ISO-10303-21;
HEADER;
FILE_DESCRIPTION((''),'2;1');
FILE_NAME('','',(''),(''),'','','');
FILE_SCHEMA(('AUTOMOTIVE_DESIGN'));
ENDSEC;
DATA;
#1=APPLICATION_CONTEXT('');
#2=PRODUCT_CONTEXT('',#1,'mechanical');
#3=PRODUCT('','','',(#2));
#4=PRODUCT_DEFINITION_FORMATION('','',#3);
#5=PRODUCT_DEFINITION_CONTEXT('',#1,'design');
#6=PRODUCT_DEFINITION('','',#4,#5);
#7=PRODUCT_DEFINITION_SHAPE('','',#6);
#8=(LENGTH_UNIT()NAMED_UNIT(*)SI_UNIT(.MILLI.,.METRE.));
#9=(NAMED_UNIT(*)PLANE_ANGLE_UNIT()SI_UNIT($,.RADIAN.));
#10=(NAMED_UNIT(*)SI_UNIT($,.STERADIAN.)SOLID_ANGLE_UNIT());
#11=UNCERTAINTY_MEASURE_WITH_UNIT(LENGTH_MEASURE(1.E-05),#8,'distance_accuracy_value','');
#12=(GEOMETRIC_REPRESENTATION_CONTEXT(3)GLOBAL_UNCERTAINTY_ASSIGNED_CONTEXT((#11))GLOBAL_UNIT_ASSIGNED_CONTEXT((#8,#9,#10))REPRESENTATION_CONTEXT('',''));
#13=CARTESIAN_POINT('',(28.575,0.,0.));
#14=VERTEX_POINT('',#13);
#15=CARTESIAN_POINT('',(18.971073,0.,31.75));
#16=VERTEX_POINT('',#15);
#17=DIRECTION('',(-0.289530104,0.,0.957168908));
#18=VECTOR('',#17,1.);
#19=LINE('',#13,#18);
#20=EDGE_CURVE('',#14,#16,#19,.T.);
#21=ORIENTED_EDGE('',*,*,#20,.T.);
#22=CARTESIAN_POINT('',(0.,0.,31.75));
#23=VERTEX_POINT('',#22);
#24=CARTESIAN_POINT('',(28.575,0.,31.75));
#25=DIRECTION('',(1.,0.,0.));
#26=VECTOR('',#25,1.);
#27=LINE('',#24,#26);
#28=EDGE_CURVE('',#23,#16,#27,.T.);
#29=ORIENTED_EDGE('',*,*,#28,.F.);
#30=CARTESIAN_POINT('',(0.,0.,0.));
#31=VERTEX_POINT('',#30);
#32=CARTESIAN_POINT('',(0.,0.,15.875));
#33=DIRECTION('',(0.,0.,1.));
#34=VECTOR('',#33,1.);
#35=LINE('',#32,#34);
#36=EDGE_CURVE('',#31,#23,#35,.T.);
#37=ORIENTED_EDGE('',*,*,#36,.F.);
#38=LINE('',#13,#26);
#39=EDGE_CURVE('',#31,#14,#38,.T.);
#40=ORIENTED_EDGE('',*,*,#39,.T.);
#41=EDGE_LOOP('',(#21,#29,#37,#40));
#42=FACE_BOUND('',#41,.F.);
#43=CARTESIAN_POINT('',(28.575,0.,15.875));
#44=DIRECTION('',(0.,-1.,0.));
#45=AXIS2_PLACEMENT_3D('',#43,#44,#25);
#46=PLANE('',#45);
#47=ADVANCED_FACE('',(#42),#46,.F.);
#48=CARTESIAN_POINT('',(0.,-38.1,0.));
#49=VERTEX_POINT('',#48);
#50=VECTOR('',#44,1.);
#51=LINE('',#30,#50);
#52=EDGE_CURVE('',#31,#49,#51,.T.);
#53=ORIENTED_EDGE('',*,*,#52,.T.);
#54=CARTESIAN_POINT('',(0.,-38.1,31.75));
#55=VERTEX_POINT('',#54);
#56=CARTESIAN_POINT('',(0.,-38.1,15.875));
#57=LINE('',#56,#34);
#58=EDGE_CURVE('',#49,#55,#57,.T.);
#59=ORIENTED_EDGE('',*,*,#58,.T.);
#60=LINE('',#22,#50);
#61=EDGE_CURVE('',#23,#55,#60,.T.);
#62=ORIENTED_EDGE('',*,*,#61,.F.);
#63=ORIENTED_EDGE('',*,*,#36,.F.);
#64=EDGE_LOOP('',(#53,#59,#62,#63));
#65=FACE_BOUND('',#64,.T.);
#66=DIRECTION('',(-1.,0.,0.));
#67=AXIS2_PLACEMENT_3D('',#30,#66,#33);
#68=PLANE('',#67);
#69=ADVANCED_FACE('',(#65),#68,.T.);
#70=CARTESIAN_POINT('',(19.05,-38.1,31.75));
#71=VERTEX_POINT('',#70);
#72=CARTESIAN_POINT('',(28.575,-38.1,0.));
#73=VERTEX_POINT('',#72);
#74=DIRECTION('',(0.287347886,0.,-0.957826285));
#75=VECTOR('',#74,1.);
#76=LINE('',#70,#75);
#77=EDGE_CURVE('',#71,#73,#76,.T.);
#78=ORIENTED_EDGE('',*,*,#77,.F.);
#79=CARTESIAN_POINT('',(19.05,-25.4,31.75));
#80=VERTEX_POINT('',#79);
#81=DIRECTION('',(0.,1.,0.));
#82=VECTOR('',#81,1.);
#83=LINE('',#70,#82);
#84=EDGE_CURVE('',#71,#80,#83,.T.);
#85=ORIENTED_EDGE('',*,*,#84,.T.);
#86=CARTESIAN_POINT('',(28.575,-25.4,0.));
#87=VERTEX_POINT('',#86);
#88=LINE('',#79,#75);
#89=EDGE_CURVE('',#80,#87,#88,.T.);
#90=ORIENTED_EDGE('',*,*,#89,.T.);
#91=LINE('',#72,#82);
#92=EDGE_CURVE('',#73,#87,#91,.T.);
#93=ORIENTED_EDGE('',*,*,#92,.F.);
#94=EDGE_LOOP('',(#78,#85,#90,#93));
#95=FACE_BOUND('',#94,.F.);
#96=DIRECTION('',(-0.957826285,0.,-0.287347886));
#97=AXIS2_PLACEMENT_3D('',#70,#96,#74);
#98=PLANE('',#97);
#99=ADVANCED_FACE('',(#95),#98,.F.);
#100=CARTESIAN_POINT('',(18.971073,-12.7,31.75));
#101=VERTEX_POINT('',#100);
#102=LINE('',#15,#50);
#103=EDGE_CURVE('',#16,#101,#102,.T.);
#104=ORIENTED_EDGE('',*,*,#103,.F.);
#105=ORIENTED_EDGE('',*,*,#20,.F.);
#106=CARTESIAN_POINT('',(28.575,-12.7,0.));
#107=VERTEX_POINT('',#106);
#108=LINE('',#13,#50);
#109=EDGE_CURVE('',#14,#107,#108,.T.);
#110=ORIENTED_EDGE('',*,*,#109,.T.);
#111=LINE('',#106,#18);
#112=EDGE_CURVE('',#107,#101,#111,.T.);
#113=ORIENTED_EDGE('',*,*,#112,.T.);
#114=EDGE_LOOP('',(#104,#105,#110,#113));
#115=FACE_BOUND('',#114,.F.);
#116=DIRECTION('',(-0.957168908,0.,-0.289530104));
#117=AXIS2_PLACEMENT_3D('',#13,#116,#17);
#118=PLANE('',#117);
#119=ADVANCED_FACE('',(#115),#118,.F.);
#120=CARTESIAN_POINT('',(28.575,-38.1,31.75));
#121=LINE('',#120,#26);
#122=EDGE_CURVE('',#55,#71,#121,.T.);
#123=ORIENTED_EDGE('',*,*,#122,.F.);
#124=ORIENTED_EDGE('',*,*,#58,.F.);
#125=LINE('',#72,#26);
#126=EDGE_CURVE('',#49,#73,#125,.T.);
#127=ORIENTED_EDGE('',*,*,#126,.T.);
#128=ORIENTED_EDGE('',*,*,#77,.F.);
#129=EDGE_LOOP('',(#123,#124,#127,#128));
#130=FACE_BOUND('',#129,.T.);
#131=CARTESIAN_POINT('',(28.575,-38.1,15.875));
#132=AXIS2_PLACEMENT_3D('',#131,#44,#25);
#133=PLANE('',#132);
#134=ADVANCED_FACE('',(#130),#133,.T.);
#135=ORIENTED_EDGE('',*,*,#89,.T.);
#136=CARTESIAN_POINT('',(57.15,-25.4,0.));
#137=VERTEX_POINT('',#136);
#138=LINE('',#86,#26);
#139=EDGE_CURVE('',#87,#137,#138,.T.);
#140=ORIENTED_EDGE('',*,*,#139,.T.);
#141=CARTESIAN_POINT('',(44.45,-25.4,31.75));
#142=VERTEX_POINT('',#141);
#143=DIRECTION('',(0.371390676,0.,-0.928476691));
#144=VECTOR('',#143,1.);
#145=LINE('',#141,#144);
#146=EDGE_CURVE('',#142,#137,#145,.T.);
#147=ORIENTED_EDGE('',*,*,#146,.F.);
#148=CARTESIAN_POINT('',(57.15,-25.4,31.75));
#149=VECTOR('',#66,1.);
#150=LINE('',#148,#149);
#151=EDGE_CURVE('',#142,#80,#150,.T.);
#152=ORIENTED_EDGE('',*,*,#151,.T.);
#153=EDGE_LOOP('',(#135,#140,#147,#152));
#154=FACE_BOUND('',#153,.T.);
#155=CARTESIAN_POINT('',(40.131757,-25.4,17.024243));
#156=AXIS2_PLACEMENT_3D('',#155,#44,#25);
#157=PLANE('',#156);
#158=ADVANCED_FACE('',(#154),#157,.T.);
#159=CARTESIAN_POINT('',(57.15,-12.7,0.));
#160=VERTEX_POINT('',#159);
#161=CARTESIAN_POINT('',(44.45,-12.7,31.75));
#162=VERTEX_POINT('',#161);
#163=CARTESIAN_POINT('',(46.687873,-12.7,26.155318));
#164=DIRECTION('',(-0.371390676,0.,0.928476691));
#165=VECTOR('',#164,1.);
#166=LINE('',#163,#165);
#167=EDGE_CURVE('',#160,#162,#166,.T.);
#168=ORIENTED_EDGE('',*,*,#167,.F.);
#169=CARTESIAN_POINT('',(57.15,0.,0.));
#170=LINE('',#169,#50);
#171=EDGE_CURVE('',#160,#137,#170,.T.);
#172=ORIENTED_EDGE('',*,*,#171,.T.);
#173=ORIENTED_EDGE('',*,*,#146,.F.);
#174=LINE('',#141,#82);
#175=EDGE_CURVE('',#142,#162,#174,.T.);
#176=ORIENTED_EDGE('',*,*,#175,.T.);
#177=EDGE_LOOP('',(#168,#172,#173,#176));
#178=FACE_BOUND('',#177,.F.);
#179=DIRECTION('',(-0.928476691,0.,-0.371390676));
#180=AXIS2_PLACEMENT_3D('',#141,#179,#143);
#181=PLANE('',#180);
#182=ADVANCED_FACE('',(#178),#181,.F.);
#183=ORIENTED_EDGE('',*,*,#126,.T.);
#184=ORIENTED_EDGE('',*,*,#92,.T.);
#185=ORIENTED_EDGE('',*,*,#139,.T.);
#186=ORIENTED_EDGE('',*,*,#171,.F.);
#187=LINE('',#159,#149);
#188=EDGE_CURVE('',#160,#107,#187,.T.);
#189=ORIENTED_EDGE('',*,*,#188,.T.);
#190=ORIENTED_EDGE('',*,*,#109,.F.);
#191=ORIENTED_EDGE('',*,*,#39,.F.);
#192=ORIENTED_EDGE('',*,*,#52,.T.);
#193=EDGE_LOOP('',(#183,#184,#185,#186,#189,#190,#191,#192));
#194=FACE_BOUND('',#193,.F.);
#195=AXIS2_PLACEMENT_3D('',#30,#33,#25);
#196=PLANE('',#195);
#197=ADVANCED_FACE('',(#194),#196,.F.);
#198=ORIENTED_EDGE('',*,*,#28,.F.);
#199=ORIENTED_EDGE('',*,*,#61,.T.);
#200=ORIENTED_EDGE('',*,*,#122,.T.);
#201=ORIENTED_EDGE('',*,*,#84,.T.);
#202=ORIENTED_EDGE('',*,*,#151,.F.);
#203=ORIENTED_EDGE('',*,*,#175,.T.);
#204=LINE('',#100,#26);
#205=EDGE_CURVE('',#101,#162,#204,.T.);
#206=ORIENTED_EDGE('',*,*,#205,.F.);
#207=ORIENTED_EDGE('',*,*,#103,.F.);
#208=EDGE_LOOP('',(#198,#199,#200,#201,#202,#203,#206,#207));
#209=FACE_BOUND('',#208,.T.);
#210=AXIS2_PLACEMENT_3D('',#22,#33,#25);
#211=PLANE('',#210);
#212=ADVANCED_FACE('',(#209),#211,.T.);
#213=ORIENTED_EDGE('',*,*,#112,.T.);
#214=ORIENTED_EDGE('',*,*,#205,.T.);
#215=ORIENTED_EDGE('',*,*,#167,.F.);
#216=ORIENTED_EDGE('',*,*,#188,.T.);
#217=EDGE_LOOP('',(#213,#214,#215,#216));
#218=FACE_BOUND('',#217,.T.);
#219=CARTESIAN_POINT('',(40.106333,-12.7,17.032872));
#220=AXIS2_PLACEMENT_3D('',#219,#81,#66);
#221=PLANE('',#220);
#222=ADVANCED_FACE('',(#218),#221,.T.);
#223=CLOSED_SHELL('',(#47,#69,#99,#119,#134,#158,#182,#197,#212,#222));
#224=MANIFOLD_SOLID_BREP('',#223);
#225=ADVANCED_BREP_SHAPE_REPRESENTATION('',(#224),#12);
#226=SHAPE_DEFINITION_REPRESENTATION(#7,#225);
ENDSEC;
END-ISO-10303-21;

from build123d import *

# Parameters (mm, degrees)
F0_W     = 57.15
F0_H     = 31.75
F1_DEPTH = 38.1
F3_DEPTH = 12.7
F5_DEPTH = 12.7
F7_DEPTH = 25.401


with BuildPart() as f1:
    # F0 (on Front) → F1 (new body)
    with BuildSketch(Plane.XZ):
        with Locations((28.575, 15.875)):
            Rectangle(F0_W, F0_H)
    extrude(amount=F1_DEPTH)

    # F2 (on face) → F3 (cut)
    with BuildSketch(Plane.XZ.offset(38.1)):
        Polygon((57.15, 31.75), (19.05, 31.75), (28.575, 0), (57.15, 0), align=None)
    extrude(amount=-F3_DEPTH, mode=Mode.SUBTRACT)

    # F4 (on face) → F5 (cut)
    with BuildSketch(Plane(origin=(0, 0, 0), x_dir=(-1, 0, 0), z_dir=(0, 1, 0))):
        Polygon((-28.575, 0), (-18.9710725099, 31.75), (-57.15, 31.75), (-57.15, 0), align=None)
    extrude(amount=-F5_DEPTH, mode=Mode.SUBTRACT)

    # F6 (on face) → F7 (cut, through all)
    with BuildSketch(Plane.XZ.offset(25.4)):
        Polygon((44.45, 31.75), (57.15, 0), (57.15, 31.75), align=None)
    extrude(amount=-F7_DEPTH, mode=Mode.SUBTRACT)


solid = f1.part
